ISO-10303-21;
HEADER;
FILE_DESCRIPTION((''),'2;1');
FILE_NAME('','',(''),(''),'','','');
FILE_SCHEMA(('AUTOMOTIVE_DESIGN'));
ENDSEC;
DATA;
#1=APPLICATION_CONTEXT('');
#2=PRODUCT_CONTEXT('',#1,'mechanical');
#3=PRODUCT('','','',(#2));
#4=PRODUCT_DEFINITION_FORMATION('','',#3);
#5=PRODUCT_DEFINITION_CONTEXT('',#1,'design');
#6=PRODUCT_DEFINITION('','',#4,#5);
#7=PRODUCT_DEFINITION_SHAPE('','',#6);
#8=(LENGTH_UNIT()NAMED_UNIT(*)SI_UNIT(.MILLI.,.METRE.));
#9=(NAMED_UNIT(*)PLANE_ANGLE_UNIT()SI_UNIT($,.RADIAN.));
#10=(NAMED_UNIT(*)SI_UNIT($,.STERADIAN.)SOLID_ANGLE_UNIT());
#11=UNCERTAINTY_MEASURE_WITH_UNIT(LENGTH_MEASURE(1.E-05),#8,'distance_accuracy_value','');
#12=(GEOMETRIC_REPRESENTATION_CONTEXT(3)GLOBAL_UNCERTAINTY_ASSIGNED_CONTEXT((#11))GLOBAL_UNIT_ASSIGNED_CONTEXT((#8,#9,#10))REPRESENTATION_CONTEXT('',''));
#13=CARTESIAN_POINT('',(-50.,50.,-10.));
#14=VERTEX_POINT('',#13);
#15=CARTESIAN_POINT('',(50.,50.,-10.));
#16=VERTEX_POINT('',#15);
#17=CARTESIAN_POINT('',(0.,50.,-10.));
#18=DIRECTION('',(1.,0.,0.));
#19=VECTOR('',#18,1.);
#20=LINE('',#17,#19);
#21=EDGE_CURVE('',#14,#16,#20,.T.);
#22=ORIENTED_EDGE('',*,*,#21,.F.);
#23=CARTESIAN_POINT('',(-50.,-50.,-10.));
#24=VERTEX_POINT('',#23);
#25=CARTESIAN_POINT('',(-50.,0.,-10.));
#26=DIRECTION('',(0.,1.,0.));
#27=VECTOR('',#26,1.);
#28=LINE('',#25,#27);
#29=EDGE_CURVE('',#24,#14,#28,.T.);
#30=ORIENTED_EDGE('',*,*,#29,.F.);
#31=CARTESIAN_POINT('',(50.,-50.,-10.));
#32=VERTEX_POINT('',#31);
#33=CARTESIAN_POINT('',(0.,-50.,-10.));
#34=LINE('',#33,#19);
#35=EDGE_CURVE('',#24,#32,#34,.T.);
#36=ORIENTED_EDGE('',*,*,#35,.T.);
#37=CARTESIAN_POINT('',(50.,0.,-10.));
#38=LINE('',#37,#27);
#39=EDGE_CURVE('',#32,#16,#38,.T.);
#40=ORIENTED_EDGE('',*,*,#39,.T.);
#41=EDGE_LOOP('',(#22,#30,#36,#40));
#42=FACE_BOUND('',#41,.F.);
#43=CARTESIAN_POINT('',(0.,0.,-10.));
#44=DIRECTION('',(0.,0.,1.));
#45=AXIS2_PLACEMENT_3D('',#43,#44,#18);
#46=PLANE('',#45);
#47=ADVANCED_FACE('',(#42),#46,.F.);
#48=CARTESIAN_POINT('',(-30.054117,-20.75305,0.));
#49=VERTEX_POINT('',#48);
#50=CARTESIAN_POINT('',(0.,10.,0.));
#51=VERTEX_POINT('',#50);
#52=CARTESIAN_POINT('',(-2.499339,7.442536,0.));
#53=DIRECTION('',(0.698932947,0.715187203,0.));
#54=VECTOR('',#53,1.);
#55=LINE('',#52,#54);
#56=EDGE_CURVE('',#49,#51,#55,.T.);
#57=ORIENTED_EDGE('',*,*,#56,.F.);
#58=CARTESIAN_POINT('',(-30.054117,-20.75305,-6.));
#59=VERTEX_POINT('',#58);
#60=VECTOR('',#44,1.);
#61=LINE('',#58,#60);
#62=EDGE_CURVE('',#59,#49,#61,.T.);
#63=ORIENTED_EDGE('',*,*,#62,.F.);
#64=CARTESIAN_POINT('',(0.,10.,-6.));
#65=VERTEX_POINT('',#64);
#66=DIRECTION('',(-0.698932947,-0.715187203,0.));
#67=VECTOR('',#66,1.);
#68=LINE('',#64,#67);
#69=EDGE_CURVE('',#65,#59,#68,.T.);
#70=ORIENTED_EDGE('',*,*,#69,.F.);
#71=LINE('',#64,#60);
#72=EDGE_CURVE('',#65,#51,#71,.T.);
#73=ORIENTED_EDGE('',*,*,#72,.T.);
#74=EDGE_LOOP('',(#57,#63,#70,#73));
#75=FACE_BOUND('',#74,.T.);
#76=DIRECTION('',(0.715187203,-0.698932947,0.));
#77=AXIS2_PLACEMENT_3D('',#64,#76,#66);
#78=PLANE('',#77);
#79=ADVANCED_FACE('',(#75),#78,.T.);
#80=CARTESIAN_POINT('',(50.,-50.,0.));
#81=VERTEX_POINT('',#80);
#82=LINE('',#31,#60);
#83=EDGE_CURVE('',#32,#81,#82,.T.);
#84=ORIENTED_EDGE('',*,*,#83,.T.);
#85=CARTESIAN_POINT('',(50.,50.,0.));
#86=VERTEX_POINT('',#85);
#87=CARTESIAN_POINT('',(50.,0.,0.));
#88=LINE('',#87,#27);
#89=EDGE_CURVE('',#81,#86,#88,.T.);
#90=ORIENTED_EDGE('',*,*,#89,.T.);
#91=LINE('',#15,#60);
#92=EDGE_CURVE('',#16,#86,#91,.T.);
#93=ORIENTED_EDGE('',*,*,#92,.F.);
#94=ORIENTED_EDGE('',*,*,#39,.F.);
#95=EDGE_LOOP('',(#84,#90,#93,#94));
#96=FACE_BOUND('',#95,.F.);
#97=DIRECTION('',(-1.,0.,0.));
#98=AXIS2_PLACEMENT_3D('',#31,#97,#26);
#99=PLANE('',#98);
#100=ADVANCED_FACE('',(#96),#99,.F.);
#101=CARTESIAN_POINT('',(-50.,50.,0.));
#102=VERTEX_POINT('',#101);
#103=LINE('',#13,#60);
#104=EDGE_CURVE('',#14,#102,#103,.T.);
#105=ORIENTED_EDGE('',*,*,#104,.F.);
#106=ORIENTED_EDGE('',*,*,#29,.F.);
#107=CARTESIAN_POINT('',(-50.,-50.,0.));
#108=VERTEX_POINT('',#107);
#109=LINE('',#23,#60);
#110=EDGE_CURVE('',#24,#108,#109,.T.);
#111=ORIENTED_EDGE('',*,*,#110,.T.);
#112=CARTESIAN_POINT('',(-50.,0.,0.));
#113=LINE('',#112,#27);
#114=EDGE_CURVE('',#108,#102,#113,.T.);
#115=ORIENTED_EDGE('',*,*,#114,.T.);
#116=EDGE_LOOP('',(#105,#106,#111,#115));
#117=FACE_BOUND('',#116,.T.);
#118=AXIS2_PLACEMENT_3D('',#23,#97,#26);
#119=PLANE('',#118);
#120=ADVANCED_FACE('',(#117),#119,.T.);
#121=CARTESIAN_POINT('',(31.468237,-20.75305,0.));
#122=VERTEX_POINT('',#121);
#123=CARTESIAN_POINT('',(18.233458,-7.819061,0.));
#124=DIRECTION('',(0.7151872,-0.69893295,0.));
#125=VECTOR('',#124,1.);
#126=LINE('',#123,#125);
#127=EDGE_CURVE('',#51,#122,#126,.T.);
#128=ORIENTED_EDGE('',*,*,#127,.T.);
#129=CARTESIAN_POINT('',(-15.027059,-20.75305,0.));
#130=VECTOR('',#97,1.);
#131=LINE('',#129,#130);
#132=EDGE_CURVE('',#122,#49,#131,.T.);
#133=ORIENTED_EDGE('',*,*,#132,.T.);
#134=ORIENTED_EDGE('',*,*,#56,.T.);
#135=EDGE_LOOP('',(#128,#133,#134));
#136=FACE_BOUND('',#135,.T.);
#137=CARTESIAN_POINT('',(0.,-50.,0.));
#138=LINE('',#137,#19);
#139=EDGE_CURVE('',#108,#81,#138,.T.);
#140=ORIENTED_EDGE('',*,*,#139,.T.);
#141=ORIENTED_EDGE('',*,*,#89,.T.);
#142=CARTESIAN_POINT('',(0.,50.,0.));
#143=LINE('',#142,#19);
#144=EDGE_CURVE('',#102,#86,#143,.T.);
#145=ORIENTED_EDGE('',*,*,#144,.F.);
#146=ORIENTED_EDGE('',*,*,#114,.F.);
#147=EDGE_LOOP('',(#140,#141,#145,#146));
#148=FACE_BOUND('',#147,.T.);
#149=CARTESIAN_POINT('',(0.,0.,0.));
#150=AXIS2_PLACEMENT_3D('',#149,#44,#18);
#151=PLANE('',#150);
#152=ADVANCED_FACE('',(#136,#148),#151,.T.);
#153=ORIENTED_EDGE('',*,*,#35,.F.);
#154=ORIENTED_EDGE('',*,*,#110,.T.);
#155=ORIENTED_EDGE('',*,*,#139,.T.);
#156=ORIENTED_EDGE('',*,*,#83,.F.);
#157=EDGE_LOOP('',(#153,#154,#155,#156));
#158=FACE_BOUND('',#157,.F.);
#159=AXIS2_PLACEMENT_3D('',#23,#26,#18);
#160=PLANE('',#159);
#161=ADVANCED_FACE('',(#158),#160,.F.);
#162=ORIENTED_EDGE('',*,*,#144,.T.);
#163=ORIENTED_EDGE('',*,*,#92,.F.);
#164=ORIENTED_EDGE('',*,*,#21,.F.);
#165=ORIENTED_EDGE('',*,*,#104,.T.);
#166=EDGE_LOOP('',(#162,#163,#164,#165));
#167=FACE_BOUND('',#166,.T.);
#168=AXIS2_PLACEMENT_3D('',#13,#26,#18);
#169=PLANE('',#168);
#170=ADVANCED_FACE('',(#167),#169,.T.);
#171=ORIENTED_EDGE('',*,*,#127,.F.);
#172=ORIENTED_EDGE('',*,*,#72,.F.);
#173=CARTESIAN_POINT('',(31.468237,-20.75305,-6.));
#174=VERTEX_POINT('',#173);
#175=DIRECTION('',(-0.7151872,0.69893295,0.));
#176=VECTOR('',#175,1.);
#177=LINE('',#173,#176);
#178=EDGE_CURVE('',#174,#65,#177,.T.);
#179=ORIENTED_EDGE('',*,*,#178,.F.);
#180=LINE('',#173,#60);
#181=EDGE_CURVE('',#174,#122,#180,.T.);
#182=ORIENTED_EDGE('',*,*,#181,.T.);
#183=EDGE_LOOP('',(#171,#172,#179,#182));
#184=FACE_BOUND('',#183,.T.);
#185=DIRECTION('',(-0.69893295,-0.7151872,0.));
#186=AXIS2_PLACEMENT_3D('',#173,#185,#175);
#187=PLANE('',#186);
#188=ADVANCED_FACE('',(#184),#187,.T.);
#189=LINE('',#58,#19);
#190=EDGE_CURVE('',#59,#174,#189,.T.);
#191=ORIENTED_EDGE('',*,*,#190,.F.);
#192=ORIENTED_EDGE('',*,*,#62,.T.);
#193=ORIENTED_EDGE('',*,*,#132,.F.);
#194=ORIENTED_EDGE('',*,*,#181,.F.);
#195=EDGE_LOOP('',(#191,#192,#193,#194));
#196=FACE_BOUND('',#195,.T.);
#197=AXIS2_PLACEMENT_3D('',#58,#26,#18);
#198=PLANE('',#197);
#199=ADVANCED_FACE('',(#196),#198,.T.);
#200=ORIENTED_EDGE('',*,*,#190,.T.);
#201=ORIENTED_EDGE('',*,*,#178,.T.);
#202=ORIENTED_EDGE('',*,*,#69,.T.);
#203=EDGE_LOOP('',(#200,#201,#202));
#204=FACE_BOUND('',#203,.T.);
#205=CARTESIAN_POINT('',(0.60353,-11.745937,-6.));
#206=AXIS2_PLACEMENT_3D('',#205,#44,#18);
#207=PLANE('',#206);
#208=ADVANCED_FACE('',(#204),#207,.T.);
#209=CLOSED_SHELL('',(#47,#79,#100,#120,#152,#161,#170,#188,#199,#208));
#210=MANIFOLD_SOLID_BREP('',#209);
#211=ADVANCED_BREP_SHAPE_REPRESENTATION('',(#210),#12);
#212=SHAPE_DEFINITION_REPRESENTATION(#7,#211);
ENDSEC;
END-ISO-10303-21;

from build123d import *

# Parameters (mm, degrees)
PAD_DEPTH    = 12
SKETCH001_W  = 100
SKETCH001_H  = 100
PAD001_DEPTH = 10


with BuildPart() as body:
    # Sketch → Pad (new body)
    with BuildSketch(Plane.XY):
        Polygon((-30.054117, -20.75305), (31.468237, -20.75305), (0, 10), align=None)
    extrude(amount=PAD_DEPTH)


with BuildPart() as body_1:
    # Body placement: moved
    add(body.part.moved(Location((0, 0, -6))))


with BuildPart() as model_cut:
    # Sketch001 → Pad001 (new body)
    with BuildSketch(Plane.XY):
        Rectangle(SKETCH001_W, SKETCH001_H)
    extrude(amount=PAD001_DEPTH)


with BuildPart() as model_cut_1:
    # Body001 placement: moved
    add(model_cut.part.moved(Location((0, 0, -10))))

    # Cut: cut Body
    add(body_1.part, mode=Mode.SUBTRACT)


solid = model_cut_1.part
